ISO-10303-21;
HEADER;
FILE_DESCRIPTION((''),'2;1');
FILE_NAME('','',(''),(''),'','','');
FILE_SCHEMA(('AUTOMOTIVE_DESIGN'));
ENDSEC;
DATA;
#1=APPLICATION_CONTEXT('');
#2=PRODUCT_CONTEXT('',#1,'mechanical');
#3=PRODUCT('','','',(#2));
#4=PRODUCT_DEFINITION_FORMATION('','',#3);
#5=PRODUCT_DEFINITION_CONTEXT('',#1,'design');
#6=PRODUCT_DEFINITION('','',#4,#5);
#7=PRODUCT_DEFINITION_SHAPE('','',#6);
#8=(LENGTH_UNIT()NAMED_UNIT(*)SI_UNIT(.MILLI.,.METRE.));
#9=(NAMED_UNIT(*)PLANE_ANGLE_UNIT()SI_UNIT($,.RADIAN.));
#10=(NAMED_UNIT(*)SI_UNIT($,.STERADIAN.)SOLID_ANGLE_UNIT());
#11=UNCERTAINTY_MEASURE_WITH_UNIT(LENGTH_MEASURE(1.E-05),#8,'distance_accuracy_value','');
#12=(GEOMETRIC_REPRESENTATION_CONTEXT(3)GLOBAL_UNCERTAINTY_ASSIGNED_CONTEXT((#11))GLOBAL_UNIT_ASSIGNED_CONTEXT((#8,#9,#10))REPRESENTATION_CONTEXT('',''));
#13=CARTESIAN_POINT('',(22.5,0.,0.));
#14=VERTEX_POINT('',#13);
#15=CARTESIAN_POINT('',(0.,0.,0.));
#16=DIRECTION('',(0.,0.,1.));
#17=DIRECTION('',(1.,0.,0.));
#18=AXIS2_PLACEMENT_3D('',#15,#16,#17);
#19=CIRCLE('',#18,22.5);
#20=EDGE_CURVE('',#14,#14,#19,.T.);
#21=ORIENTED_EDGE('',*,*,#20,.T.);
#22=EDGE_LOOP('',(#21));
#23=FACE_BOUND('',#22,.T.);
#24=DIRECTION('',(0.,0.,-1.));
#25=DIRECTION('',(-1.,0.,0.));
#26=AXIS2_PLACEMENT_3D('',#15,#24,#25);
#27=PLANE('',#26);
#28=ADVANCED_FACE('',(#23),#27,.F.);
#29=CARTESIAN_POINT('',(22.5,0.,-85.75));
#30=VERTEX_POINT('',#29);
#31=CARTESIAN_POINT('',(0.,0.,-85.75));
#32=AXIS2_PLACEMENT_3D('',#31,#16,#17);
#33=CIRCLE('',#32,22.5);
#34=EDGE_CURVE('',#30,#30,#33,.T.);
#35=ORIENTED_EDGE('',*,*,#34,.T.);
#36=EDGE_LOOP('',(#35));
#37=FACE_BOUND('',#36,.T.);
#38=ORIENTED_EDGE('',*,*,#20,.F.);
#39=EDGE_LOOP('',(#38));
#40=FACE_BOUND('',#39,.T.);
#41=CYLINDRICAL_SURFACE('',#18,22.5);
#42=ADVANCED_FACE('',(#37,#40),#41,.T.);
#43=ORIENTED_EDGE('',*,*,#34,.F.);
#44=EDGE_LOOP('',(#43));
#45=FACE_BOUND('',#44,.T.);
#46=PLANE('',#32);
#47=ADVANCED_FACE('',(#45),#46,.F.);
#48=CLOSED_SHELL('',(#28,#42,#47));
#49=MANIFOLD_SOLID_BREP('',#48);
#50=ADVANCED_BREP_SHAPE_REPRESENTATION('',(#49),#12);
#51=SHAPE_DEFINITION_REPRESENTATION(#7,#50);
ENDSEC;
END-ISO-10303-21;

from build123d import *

# Parameters (mm, degrees)
GK_W = 85.75
GK_H = 22.5


with BuildPart() as part:
    # GK → Rotation_GK (revolve)
    with BuildSketch(Plane(origin=(0, 0, 0), x_dir=(0, 0, -1), z_dir=(1, 0, 0)), mode=Mode.PRIVATE) as rotation_gk_sk:
        with Locations((42.875, 11.25)):
            Rectangle(GK_W, GK_H)
    revolve(rotation_gk_sk.sketch.rotate(Axis((0, 0, 0), (0, 0, -1)), 90), axis=Axis((0, 0, 0), (0, 0, -1)))  # turned: the seam where the file's is


solid = part.part
